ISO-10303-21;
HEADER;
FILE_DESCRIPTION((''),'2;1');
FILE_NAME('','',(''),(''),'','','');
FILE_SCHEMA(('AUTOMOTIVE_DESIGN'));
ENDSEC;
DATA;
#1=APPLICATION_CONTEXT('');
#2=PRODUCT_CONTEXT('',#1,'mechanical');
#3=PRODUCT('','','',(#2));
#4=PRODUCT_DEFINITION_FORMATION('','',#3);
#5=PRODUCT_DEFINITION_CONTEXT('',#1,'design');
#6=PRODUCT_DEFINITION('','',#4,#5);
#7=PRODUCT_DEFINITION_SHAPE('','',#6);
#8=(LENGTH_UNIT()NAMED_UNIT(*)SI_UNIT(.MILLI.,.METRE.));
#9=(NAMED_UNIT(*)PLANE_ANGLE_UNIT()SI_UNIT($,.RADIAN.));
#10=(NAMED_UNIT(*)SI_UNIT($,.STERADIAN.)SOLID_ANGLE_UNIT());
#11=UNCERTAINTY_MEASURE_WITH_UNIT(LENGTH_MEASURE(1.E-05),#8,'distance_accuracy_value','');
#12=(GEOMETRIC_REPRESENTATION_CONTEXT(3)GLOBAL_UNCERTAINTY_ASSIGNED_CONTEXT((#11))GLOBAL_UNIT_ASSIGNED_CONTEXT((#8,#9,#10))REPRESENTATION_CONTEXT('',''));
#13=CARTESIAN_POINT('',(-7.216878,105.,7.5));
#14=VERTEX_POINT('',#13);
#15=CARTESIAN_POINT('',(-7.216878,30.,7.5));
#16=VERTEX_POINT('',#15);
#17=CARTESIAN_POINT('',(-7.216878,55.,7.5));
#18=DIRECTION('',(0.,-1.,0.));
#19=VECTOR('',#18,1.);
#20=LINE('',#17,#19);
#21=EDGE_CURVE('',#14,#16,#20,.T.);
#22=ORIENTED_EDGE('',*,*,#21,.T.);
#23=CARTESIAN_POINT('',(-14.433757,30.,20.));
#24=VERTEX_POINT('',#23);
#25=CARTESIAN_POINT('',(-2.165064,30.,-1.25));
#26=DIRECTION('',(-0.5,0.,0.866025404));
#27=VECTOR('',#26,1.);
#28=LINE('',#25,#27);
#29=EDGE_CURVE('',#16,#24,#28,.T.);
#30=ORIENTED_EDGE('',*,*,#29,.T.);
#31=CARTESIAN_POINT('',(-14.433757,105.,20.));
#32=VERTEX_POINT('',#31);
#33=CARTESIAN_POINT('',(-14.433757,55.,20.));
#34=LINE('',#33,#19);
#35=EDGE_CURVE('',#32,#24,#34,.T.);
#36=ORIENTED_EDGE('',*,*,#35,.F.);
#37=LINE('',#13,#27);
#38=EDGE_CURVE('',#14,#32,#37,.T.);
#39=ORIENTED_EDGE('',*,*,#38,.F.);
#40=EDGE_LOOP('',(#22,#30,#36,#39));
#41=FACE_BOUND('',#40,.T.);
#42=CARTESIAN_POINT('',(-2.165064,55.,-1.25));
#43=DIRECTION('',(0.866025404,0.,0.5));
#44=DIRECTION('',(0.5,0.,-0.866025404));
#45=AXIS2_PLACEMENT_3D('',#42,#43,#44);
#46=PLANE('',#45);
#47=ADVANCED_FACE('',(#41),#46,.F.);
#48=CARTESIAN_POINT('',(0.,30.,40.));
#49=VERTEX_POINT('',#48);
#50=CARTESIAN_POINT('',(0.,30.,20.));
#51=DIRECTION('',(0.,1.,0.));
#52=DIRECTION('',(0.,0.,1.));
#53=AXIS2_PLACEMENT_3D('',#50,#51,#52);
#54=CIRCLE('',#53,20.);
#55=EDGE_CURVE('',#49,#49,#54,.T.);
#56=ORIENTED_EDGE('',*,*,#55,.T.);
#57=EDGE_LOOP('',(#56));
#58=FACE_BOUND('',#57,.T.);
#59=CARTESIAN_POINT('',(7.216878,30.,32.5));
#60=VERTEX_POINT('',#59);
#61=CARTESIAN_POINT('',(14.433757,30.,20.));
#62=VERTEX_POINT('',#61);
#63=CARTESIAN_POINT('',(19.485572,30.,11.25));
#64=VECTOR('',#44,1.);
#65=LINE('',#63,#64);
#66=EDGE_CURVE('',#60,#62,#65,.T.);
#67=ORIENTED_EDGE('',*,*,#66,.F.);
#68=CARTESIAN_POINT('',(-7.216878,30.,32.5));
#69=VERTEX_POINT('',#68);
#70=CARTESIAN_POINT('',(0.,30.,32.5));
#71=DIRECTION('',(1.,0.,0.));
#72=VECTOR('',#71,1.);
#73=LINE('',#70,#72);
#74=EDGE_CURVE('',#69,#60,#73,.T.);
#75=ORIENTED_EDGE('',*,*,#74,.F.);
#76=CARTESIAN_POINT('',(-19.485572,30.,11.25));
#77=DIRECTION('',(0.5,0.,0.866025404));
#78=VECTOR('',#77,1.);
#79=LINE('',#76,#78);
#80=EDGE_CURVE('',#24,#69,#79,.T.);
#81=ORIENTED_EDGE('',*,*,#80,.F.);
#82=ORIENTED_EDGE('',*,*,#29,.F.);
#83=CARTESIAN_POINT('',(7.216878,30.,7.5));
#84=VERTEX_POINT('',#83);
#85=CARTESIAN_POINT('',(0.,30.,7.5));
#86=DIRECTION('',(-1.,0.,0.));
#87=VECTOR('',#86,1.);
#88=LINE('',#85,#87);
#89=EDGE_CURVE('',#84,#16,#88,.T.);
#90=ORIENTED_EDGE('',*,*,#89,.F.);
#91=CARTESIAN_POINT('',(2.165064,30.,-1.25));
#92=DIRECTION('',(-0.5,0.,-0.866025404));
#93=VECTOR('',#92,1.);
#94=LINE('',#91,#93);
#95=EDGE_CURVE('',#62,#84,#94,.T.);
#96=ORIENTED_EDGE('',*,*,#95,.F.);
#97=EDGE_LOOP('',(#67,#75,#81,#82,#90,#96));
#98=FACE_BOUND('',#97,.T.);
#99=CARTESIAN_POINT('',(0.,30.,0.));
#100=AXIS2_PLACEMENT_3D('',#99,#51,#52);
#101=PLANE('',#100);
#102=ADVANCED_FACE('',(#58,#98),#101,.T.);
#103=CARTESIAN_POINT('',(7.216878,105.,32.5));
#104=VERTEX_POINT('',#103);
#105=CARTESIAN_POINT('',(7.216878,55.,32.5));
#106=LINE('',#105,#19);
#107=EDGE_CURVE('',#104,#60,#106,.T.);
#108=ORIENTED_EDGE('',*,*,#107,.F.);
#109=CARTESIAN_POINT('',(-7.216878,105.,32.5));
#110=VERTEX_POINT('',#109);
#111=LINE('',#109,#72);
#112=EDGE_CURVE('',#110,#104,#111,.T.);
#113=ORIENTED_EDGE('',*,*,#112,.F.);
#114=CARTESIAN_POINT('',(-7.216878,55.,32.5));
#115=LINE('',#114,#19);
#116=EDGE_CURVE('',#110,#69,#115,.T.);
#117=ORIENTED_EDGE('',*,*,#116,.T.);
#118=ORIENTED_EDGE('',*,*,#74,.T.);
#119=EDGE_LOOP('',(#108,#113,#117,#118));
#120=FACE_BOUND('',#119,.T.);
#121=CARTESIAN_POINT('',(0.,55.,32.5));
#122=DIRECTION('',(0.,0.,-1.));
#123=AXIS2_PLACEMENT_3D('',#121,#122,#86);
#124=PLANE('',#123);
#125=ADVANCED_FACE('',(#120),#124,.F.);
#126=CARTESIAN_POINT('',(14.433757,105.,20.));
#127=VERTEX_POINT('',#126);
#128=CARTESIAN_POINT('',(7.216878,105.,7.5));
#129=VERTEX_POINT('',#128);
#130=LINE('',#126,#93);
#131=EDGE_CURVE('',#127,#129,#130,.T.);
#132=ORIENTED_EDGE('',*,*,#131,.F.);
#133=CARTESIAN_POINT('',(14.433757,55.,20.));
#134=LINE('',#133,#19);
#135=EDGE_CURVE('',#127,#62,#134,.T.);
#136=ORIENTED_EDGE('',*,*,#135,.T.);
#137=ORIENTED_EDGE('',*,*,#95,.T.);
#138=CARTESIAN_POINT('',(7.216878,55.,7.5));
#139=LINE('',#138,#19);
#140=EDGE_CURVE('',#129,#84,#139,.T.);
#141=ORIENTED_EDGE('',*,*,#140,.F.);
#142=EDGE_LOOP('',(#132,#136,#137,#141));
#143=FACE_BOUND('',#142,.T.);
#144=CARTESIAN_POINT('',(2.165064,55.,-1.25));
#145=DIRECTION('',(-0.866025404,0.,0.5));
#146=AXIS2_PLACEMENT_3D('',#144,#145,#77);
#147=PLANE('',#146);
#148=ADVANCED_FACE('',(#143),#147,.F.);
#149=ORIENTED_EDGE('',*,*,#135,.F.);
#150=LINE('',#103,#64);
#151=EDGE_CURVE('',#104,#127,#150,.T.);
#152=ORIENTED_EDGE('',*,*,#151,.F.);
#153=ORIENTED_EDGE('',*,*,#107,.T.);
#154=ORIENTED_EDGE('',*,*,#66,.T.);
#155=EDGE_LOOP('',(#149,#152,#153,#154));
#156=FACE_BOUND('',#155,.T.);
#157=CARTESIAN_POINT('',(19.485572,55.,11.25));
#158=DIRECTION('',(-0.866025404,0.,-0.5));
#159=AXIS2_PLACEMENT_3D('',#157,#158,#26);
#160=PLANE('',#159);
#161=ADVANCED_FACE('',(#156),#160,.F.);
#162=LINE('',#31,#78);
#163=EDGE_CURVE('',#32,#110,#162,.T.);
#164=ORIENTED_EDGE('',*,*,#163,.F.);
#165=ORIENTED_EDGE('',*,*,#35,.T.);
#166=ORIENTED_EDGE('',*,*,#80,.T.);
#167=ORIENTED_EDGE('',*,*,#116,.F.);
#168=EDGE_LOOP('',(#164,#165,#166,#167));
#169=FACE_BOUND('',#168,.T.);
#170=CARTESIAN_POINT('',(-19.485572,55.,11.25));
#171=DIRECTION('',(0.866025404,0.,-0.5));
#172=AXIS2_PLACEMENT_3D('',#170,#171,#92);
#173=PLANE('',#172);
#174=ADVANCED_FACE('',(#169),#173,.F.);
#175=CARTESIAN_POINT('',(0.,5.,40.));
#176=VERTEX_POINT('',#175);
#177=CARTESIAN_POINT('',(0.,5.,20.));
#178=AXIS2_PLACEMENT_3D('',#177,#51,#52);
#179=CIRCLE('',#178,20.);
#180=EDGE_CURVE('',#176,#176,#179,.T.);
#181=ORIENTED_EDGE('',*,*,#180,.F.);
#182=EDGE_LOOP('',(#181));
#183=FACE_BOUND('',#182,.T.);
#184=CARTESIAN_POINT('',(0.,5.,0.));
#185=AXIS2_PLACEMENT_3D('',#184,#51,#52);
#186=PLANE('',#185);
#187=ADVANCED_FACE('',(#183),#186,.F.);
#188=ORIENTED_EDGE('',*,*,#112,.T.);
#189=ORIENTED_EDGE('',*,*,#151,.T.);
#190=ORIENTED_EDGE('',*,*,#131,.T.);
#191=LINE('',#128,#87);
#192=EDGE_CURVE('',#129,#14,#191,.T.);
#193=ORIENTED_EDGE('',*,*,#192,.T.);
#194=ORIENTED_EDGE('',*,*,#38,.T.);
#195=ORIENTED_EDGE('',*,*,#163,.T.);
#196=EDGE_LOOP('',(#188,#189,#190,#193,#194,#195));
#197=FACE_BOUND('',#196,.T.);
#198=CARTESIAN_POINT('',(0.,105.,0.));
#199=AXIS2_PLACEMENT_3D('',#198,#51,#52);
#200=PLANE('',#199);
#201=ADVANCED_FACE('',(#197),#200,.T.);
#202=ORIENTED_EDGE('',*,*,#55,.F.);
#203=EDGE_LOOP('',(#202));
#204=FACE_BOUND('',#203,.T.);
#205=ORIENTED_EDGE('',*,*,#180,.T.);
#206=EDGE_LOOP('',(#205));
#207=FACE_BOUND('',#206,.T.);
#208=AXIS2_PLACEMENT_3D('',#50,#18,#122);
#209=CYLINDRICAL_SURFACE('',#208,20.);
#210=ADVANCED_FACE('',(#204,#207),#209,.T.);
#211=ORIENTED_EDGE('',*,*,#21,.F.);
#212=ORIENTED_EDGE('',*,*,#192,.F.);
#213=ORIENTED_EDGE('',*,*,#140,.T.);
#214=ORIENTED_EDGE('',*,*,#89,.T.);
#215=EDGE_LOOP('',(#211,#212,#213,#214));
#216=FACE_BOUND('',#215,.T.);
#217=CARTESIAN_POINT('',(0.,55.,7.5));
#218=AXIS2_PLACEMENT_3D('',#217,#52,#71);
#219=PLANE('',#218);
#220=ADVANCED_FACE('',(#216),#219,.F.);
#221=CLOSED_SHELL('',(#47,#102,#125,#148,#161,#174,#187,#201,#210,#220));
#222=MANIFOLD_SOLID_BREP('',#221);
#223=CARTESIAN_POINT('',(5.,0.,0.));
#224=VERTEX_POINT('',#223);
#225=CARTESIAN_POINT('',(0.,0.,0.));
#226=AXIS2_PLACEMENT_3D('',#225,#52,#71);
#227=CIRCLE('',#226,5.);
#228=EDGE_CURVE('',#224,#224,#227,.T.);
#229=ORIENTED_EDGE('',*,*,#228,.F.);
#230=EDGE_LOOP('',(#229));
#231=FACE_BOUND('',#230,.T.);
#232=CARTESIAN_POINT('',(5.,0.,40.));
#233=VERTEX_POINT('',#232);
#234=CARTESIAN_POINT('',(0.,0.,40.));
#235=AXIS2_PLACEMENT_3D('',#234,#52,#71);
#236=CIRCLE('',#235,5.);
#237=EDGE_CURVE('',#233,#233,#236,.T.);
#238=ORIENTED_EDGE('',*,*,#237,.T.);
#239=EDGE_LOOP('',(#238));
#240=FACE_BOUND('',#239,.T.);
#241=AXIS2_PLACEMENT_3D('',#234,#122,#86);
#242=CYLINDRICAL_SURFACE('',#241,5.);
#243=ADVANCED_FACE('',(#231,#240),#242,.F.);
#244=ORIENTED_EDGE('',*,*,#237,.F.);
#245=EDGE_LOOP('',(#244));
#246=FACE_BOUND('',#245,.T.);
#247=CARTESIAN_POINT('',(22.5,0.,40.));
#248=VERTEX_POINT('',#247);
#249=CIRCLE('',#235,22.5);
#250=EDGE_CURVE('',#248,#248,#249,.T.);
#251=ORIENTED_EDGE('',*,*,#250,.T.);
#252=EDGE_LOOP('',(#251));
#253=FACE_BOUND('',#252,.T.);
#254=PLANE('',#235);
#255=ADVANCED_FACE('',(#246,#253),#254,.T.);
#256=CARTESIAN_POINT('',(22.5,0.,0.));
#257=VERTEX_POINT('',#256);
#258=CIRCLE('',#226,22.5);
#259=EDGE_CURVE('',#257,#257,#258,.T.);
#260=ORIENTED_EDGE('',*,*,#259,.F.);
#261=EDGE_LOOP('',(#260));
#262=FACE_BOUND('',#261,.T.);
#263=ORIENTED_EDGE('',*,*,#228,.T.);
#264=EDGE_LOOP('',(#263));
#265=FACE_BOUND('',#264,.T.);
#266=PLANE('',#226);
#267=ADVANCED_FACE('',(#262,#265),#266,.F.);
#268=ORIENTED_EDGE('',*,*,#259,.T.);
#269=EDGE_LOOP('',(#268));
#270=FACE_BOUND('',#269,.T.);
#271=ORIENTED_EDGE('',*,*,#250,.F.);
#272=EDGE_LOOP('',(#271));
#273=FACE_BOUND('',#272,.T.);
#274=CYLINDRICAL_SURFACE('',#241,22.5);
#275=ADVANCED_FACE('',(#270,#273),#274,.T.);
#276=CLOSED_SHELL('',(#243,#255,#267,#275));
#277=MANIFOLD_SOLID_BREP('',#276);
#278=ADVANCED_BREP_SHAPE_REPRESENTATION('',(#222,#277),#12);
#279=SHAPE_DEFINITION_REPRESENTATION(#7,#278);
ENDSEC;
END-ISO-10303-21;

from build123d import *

# Parameters (mm, degrees)
SKETCH1_R           = 22.5
SKETCH1_R_2         = 5
BOSS_EXTRUDE1_DEPTH = 40
SKETCH2_R           = 20
BOSS_EXTRUDE2_DEPTH = 25
BOSS_EXTRUDE3_DEPTH = 25
BOSS_EXTRUDE4_DEPTH = 50


with BuildPart() as part:
    # Sketch1 → Boss-Extrude1 (new body)
    with BuildSketch(Plane.XY):
        Circle(SKETCH1_R)
        Circle(SKETCH1_R_2, mode=Mode.SUBTRACT)
    extrude(amount=BOSS_EXTRUDE1_DEPTH)


with BuildPart() as body_2:
    # Sketch2 → Boss-Extrude2 (new body)
    with BuildSketch(Plane(origin=(0, 5, 0), x_dir=(1, 0, 0), z_dir=(0, 1, 0))):
        with Locations(Location((0, -20, 0), (0, 0, 270))):
            Circle(SKETCH2_R)
    extrude(amount=BOSS_EXTRUDE2_DEPTH)

    # Sketch3 → Boss-Extrude3 (add)
    with BuildSketch(Plane(origin=(0, 30, 0), x_dir=(1, 0, 0), z_dir=(0, 1, 0))):
        Polygon((0, -20), (0, -7.5), (-7.216878365, -7.5), (-14.43375673, -20), (-7.216878365, -32.5), (7.216878365, -32.5), (14.43375673, -20), align=None)
        Polygon((7.216878365, -7.5), (0, -7.5), (0, -20), (14.43375673, -20), align=None)
    extrude(amount=BOSS_EXTRUDE3_DEPTH)

    # Sketch4 → Boss-Extrude4 (add)
    with BuildSketch(Plane(origin=(0, 55, 0), x_dir=(1, 0, 0), z_dir=(0, 1, 0))):
        Polygon((7.216878365, -32.5), (14.43375673, -20), (7.216878365, -7.5), (-7.216878365, -7.5), (-14.43375673, -20), (-7.216878365, -32.5), align=None)
    extrude(amount=BOSS_EXTRUDE4_DEPTH)


solid = Compound([part.part, body_2.part])
